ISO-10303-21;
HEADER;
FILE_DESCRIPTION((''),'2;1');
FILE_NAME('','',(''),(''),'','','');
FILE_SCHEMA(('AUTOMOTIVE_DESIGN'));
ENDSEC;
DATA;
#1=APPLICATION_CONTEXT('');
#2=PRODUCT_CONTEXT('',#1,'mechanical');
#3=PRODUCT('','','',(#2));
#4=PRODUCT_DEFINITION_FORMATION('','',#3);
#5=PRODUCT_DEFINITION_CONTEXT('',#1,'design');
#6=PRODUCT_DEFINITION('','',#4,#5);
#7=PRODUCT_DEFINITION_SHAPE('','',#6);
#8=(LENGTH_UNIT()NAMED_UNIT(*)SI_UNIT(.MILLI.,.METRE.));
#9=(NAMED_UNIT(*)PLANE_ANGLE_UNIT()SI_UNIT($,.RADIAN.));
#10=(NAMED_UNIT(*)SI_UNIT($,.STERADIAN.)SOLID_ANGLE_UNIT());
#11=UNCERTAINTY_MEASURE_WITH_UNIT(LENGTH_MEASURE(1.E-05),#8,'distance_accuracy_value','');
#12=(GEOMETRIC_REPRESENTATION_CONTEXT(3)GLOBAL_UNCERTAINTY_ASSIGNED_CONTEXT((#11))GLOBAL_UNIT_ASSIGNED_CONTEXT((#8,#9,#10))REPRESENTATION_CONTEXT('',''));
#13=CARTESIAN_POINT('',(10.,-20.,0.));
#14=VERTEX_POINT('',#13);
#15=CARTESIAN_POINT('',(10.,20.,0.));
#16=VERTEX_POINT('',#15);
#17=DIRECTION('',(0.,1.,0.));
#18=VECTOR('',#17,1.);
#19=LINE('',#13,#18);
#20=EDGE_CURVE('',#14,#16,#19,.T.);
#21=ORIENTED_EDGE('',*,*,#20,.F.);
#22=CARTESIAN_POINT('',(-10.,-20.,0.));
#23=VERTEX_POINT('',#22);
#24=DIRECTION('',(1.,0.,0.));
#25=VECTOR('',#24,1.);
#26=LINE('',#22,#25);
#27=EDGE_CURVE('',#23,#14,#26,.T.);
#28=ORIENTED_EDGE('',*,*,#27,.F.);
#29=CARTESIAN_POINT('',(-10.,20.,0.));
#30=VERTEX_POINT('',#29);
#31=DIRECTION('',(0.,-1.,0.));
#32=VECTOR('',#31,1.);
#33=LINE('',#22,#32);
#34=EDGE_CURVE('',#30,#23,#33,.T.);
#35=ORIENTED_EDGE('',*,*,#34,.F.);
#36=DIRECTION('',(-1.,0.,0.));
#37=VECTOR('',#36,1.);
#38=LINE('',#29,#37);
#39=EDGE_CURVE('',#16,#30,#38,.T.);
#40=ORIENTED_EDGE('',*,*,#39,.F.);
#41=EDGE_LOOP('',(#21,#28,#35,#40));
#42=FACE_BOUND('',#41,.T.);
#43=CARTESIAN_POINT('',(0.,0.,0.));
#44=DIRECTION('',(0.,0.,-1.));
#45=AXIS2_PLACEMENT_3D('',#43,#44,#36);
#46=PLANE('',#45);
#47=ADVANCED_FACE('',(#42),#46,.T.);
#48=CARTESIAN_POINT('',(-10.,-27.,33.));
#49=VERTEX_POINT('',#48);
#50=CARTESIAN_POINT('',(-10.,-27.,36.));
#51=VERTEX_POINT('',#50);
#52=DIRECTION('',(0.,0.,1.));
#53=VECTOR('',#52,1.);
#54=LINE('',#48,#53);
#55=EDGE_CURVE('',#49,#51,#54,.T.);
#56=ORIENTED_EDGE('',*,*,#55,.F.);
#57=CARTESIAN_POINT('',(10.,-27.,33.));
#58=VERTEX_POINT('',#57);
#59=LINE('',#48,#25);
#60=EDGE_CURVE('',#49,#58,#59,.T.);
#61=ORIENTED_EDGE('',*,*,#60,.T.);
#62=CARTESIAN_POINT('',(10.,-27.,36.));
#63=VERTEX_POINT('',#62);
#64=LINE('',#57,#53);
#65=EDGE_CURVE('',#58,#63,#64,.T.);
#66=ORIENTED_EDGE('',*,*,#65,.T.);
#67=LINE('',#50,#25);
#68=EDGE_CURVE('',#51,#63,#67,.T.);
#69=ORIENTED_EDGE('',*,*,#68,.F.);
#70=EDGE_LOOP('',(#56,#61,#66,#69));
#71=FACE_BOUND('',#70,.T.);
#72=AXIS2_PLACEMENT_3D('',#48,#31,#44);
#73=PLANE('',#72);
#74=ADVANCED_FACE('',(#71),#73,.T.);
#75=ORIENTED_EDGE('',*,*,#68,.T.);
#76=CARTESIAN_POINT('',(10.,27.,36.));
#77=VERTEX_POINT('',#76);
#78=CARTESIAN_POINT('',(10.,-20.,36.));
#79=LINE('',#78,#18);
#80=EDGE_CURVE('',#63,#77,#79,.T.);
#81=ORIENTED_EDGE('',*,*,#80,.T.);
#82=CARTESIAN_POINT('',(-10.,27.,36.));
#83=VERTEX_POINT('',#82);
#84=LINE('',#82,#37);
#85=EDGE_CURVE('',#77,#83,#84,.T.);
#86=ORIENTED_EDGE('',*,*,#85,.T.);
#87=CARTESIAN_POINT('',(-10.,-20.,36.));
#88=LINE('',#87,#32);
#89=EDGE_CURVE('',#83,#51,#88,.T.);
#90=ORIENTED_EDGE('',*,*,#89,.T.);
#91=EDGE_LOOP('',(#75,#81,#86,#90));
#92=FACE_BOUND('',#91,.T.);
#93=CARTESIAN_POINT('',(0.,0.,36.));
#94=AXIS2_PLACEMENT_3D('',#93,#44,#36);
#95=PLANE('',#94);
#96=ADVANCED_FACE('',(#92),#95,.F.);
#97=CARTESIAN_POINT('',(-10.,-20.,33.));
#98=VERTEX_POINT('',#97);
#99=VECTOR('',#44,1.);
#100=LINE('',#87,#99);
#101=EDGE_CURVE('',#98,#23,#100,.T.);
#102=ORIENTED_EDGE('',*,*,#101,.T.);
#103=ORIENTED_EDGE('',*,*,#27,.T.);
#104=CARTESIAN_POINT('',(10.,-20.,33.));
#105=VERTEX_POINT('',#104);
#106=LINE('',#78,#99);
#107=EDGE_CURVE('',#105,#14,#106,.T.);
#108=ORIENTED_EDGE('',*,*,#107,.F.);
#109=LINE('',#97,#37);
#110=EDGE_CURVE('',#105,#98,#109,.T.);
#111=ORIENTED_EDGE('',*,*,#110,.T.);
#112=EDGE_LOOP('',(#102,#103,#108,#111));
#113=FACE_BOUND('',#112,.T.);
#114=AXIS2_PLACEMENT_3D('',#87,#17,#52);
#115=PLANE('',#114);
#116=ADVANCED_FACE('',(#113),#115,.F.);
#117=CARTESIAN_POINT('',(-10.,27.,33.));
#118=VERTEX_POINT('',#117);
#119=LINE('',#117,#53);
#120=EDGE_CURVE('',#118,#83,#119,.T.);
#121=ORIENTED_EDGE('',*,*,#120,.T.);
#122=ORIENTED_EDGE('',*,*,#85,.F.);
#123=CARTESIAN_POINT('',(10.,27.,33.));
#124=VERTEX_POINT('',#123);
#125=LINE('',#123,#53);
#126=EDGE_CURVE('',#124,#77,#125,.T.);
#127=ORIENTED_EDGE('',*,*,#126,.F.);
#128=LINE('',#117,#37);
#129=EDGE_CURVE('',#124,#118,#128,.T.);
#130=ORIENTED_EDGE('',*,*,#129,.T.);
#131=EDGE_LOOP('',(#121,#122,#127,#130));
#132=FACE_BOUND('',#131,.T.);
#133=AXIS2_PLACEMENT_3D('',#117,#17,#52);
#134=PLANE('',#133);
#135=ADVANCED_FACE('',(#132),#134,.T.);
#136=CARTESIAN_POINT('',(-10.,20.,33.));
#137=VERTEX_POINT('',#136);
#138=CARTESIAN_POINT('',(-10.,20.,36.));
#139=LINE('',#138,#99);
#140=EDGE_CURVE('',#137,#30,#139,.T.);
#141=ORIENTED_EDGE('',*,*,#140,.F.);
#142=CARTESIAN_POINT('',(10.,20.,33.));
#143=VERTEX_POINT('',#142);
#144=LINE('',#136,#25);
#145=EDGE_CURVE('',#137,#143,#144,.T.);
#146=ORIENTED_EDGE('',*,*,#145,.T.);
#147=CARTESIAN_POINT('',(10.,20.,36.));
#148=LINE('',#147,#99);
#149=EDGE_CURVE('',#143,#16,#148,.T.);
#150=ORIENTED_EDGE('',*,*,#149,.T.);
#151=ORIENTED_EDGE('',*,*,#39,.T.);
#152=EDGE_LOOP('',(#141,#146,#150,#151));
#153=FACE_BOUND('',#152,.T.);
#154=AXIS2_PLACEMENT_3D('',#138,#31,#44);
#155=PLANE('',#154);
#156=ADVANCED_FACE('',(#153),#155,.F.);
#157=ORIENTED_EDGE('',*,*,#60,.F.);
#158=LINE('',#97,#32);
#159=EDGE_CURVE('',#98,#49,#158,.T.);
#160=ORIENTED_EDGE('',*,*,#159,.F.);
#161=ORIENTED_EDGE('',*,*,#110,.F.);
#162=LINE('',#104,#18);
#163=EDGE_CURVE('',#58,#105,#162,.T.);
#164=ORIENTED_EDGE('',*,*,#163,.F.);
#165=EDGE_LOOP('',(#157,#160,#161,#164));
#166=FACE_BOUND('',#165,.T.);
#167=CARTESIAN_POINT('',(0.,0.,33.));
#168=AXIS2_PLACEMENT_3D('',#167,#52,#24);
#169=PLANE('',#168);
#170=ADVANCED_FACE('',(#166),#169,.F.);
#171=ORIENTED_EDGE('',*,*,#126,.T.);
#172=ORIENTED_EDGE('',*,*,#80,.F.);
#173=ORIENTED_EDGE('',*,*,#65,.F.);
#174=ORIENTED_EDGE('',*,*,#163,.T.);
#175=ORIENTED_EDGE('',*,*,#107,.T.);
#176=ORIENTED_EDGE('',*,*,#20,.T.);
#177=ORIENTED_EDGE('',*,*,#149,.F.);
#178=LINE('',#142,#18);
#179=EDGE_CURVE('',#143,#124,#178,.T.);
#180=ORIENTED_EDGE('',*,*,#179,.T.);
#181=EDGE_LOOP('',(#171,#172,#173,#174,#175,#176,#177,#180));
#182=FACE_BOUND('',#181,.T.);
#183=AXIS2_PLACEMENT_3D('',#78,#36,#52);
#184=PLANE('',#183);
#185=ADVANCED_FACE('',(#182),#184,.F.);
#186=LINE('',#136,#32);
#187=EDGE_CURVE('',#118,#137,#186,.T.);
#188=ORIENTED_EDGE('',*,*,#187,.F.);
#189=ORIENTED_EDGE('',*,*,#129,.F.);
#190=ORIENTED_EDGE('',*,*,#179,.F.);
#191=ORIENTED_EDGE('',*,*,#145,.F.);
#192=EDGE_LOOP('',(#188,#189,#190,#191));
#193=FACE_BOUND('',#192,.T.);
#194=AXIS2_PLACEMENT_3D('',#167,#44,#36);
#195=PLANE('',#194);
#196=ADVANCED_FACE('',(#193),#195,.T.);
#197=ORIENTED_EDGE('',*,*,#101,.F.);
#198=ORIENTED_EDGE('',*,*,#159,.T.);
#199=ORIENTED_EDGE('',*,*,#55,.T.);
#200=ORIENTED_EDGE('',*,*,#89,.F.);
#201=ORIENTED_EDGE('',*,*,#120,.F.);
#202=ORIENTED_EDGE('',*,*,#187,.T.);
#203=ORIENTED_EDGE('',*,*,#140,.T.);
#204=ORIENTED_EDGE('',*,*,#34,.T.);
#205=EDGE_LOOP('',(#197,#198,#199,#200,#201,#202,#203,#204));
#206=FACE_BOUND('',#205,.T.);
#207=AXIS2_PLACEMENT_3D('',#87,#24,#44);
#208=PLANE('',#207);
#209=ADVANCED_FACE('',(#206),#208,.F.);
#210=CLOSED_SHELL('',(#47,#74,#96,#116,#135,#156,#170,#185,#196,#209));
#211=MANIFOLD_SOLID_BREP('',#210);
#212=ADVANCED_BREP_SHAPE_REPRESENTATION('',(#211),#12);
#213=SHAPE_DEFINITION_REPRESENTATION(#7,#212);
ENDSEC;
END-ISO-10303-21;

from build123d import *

# Parameters (mm, degrees)
SKETCH1_W           = 20
SKETCH1_H           = 40
BOSS_EXTRUDE1_DEPTH = 36
SKETCH2_W           = 20
SKETCH2_H           = 7
BOSS_EXTRUDE5_DEPTH = 3


with BuildPart() as part:
    # Sketch1 → Boss-Extrude1 (new body)
    with BuildSketch(Plane.XY):
        Rectangle(SKETCH1_W, SKETCH1_H)
    extrude(amount=BOSS_EXTRUDE1_DEPTH)

    # Sketch2 → Boss-Extrude5 (add)
    with BuildSketch(Plane.XY.offset(36)):
        with Locations((0, 23.5)):
            Rectangle(SKETCH2_W, SKETCH2_H)
        with Locations((0, -23.5)):
            Rectangle(SKETCH2_W, SKETCH2_H)
    extrude(amount=-BOSS_EXTRUDE5_DEPTH)


solid = part.part
